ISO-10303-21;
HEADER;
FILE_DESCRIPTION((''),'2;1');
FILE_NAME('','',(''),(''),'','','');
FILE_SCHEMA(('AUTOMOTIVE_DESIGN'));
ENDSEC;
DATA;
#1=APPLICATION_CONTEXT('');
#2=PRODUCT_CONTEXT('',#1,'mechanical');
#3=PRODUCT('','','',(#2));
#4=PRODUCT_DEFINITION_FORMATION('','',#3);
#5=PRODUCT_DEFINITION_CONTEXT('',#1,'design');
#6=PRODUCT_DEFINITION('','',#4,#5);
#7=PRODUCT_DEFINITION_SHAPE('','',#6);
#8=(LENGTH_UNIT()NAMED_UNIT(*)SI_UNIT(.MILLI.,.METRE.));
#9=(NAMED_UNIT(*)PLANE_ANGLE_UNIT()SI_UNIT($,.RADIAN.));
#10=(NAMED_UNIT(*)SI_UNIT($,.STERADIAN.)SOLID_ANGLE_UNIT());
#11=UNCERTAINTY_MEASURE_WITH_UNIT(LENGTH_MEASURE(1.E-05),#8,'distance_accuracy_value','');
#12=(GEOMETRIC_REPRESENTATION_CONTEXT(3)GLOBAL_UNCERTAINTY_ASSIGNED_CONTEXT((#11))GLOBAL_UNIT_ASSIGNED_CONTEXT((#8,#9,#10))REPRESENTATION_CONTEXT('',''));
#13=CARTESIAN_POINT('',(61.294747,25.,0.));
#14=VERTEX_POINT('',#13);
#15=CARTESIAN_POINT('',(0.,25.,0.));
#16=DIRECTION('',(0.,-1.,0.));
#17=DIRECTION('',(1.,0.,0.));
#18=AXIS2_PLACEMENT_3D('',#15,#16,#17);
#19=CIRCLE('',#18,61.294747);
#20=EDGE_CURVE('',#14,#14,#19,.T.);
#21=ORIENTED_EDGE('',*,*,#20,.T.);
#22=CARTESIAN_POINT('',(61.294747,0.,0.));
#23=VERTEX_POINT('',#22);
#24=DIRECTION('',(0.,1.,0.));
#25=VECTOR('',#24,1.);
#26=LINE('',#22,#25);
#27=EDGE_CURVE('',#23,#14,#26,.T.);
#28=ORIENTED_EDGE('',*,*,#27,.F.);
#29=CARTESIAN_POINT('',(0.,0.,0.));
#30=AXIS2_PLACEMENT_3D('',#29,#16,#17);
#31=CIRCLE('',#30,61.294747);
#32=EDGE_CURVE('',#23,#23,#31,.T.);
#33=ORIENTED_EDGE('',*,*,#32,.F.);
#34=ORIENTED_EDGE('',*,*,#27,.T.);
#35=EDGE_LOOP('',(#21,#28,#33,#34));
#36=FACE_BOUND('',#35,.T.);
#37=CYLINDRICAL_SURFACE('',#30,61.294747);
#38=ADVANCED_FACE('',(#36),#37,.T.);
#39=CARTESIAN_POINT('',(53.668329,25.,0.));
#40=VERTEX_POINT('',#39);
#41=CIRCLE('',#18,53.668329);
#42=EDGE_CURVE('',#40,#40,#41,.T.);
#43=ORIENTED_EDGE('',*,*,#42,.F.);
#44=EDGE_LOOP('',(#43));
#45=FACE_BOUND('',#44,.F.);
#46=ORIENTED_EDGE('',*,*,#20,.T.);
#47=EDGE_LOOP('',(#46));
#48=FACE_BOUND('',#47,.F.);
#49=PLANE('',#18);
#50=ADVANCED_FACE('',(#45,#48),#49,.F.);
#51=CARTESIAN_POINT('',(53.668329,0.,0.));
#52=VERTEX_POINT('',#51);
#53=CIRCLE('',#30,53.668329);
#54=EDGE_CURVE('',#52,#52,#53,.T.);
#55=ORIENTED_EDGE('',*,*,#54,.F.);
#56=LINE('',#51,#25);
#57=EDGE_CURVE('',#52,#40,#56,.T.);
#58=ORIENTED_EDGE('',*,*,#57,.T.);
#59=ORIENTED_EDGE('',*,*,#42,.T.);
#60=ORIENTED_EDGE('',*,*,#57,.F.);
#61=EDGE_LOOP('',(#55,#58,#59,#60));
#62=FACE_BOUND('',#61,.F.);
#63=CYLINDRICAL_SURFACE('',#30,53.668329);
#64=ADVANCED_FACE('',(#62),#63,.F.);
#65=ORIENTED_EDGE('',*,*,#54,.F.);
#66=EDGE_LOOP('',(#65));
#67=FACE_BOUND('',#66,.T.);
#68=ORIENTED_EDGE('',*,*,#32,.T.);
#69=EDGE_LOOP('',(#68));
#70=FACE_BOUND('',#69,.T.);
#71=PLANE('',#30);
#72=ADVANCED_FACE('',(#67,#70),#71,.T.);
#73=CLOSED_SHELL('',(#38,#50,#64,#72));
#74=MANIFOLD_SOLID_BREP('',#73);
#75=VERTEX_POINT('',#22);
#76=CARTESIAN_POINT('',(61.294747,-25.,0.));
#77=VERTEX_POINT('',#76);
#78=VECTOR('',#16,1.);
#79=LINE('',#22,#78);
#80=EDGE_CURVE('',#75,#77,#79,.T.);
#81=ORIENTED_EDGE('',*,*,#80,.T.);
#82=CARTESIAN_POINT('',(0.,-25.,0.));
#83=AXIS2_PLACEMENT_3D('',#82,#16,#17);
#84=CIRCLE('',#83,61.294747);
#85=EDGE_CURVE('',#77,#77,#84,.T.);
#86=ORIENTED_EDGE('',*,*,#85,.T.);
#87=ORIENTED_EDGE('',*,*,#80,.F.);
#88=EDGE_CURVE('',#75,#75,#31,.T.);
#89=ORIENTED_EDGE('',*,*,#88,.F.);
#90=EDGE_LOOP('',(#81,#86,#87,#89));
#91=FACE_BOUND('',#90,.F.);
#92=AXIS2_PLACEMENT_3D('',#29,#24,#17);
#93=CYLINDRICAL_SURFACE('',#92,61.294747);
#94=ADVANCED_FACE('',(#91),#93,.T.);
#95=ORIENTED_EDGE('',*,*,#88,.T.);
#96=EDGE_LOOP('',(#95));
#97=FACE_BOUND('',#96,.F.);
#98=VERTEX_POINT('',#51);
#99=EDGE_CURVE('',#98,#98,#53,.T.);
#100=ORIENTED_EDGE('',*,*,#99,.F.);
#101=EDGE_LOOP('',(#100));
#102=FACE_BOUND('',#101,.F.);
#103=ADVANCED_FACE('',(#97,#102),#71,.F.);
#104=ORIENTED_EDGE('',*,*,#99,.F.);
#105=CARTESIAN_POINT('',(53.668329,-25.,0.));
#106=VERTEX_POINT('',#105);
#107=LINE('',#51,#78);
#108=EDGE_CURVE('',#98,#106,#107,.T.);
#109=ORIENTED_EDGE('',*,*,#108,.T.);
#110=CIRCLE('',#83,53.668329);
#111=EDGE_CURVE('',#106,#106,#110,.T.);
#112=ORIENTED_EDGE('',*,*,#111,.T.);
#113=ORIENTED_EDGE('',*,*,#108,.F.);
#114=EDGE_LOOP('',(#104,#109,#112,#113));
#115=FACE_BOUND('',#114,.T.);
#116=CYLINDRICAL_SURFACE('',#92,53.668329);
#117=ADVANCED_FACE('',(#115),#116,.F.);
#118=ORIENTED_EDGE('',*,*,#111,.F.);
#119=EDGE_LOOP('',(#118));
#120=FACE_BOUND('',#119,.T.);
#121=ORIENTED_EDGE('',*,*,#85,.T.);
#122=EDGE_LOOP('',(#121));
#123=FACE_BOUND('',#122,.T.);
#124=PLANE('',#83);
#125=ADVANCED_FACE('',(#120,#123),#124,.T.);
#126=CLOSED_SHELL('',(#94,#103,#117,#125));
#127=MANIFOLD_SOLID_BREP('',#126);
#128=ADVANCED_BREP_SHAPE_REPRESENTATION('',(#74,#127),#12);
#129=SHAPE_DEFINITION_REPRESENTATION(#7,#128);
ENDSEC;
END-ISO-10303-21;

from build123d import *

# Parameters (mm, degrees)
F0_R     = 61.294747
F0_R_2   = 53.668329
F1_DEPTH = 25
F2_DEPTH = 25


with BuildPart() as f1:
    # F0 (on Front) → F1 (new body)
    with BuildSketch(Plane.XZ):
        Circle(F0_R)
        Circle(F0_R_2, mode=Mode.SUBTRACT)
    extrude(amount=F1_DEPTH)


with BuildPart() as f2:
    # F0 (on Front) → F2 (new body)
    with BuildSketch(Plane.XZ):
        Circle(F0_R)
        Circle(F0_R_2, mode=Mode.SUBTRACT)
    extrude(amount=-F2_DEPTH)


solid = Compound([f1.part, f2.part])
